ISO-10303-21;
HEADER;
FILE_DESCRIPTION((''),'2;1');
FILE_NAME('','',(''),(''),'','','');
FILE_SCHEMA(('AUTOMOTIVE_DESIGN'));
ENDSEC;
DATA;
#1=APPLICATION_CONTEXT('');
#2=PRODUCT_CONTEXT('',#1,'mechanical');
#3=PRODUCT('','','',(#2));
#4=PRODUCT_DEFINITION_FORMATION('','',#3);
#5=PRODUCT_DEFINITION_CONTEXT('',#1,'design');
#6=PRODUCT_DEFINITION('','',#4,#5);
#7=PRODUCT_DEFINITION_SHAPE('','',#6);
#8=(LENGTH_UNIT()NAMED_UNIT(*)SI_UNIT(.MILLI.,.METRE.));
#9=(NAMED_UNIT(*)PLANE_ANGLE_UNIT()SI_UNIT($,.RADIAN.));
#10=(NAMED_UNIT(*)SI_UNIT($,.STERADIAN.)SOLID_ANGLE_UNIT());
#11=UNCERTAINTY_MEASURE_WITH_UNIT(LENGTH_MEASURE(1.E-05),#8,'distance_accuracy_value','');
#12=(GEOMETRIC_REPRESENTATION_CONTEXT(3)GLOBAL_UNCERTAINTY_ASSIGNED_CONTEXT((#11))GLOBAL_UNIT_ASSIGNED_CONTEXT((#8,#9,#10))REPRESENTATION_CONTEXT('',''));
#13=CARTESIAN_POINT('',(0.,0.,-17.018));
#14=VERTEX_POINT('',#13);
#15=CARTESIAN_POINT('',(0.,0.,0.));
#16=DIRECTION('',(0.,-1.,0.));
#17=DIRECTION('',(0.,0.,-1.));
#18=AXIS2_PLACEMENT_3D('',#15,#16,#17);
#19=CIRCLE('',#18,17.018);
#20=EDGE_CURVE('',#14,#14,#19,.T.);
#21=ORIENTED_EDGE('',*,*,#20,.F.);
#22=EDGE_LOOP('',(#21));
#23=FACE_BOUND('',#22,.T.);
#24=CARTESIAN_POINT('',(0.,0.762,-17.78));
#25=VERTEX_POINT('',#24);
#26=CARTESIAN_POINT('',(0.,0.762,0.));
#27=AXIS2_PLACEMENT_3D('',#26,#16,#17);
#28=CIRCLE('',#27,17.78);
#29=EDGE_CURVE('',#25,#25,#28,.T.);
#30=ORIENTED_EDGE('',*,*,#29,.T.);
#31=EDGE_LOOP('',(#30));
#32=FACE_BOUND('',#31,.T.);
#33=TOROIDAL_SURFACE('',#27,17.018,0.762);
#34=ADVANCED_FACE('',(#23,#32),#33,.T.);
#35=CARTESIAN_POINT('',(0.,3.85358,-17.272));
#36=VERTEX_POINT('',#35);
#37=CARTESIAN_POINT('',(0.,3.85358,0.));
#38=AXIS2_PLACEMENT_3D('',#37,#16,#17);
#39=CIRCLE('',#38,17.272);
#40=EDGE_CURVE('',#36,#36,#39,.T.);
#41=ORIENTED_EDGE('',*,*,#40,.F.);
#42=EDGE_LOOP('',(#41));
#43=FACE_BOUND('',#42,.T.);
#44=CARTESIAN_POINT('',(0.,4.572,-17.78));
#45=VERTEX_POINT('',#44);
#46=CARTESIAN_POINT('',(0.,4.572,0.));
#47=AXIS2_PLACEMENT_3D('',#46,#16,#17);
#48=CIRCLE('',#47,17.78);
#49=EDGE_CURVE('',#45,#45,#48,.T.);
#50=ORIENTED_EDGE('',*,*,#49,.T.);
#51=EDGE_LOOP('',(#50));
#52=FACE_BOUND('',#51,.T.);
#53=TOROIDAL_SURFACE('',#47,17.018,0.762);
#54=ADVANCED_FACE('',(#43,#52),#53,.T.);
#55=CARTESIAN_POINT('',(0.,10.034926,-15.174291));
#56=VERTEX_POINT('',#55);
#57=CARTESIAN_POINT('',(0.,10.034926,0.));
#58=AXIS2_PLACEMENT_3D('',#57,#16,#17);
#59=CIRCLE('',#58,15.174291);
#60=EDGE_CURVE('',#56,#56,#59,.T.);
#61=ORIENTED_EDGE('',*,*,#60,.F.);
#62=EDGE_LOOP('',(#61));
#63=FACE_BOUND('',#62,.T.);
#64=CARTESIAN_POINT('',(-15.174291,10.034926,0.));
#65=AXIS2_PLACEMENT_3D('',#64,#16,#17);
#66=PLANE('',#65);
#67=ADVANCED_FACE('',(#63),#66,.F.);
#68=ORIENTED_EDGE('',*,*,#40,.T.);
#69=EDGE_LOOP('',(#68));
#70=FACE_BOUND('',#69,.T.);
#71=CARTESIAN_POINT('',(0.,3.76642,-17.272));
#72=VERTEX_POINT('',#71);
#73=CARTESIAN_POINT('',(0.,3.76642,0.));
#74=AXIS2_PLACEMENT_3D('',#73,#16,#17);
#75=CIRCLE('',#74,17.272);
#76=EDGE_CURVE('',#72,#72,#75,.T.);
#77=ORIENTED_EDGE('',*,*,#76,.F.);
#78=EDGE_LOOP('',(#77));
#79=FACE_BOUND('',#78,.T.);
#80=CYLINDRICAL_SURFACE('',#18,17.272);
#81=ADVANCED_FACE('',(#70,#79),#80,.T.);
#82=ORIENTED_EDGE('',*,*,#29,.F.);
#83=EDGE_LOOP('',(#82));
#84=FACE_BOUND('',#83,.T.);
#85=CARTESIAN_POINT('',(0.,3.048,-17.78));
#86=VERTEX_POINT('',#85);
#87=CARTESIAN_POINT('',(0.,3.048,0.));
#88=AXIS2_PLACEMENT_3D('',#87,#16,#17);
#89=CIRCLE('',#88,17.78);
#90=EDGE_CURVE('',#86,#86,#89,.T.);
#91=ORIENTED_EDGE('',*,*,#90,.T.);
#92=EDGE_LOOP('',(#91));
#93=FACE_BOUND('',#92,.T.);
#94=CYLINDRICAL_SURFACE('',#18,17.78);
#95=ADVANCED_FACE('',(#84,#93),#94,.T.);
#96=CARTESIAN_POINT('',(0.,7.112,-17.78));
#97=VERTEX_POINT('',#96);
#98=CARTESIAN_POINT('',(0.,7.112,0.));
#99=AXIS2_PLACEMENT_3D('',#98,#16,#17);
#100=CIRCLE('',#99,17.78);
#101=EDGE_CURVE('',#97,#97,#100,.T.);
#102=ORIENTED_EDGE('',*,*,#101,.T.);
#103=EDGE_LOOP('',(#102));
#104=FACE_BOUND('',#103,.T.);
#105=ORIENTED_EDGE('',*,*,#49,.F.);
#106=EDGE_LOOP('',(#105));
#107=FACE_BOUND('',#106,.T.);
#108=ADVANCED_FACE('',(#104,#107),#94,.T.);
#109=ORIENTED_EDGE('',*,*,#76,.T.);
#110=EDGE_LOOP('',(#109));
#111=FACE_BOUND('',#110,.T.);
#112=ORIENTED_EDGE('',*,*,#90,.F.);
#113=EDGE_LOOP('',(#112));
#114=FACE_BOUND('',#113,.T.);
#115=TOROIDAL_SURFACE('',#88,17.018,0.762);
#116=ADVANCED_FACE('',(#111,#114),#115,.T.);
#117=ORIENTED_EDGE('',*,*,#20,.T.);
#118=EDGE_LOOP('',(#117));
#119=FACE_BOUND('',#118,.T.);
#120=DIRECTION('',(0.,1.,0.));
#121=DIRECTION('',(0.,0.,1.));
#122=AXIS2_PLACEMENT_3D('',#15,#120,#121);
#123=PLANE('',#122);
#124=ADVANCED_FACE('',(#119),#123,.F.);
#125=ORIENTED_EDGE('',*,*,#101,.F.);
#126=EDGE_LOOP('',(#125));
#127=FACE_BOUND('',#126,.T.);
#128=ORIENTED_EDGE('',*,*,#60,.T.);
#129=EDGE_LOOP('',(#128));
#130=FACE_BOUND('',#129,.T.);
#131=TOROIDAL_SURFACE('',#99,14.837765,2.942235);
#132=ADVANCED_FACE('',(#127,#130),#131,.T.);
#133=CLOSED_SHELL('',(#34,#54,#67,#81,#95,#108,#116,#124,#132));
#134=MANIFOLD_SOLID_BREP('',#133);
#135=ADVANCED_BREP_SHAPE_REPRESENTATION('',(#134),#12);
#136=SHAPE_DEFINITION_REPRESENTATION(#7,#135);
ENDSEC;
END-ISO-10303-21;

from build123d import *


with BuildPart() as part:
    # Sketch2 → Revolve2 (revolve)
    with BuildSketch(Plane.XY, mode=Mode.PRIVATE) as revolve2_sk:
        with BuildLine():
            Line((0, 0), (0, 10.034926072))
            Line((0, 10.034926072), (-15.174290575, 10.034926072))
            ThreePointArc((-15.174290575, 10.034926072), (-17.033998604, 9.069882685), (-17.78, 7.112))
            Line((-17.78, 7.112), (-17.78, 4.572))
            ThreePointArc((-17.78, 4.572), (-17.640170395, 4.132059095), (-17.272, 3.85357951))
            Line((-17.272, 3.85357951), (-17.272, 3.76642049))
            ThreePointArc((-17.272, 3.76642049), (-17.640170395, 3.487940905), (-17.78, 3.048))
            Line((-17.78, 3.048), (-17.78, 0.762))
            ThreePointArc((-17.78, 0.762), (-17.556815367, 0.223184633), (-17.018, 0))
            Line((-17.018, 0), (0, 0))
        make_face()
    revolve(revolve2_sk.sketch.rotate(Axis((0, 0, 0), (0, 1, 0)), 270), axis=Axis((0, 0, 0), (0, 1, 0)))


solid = part.part
